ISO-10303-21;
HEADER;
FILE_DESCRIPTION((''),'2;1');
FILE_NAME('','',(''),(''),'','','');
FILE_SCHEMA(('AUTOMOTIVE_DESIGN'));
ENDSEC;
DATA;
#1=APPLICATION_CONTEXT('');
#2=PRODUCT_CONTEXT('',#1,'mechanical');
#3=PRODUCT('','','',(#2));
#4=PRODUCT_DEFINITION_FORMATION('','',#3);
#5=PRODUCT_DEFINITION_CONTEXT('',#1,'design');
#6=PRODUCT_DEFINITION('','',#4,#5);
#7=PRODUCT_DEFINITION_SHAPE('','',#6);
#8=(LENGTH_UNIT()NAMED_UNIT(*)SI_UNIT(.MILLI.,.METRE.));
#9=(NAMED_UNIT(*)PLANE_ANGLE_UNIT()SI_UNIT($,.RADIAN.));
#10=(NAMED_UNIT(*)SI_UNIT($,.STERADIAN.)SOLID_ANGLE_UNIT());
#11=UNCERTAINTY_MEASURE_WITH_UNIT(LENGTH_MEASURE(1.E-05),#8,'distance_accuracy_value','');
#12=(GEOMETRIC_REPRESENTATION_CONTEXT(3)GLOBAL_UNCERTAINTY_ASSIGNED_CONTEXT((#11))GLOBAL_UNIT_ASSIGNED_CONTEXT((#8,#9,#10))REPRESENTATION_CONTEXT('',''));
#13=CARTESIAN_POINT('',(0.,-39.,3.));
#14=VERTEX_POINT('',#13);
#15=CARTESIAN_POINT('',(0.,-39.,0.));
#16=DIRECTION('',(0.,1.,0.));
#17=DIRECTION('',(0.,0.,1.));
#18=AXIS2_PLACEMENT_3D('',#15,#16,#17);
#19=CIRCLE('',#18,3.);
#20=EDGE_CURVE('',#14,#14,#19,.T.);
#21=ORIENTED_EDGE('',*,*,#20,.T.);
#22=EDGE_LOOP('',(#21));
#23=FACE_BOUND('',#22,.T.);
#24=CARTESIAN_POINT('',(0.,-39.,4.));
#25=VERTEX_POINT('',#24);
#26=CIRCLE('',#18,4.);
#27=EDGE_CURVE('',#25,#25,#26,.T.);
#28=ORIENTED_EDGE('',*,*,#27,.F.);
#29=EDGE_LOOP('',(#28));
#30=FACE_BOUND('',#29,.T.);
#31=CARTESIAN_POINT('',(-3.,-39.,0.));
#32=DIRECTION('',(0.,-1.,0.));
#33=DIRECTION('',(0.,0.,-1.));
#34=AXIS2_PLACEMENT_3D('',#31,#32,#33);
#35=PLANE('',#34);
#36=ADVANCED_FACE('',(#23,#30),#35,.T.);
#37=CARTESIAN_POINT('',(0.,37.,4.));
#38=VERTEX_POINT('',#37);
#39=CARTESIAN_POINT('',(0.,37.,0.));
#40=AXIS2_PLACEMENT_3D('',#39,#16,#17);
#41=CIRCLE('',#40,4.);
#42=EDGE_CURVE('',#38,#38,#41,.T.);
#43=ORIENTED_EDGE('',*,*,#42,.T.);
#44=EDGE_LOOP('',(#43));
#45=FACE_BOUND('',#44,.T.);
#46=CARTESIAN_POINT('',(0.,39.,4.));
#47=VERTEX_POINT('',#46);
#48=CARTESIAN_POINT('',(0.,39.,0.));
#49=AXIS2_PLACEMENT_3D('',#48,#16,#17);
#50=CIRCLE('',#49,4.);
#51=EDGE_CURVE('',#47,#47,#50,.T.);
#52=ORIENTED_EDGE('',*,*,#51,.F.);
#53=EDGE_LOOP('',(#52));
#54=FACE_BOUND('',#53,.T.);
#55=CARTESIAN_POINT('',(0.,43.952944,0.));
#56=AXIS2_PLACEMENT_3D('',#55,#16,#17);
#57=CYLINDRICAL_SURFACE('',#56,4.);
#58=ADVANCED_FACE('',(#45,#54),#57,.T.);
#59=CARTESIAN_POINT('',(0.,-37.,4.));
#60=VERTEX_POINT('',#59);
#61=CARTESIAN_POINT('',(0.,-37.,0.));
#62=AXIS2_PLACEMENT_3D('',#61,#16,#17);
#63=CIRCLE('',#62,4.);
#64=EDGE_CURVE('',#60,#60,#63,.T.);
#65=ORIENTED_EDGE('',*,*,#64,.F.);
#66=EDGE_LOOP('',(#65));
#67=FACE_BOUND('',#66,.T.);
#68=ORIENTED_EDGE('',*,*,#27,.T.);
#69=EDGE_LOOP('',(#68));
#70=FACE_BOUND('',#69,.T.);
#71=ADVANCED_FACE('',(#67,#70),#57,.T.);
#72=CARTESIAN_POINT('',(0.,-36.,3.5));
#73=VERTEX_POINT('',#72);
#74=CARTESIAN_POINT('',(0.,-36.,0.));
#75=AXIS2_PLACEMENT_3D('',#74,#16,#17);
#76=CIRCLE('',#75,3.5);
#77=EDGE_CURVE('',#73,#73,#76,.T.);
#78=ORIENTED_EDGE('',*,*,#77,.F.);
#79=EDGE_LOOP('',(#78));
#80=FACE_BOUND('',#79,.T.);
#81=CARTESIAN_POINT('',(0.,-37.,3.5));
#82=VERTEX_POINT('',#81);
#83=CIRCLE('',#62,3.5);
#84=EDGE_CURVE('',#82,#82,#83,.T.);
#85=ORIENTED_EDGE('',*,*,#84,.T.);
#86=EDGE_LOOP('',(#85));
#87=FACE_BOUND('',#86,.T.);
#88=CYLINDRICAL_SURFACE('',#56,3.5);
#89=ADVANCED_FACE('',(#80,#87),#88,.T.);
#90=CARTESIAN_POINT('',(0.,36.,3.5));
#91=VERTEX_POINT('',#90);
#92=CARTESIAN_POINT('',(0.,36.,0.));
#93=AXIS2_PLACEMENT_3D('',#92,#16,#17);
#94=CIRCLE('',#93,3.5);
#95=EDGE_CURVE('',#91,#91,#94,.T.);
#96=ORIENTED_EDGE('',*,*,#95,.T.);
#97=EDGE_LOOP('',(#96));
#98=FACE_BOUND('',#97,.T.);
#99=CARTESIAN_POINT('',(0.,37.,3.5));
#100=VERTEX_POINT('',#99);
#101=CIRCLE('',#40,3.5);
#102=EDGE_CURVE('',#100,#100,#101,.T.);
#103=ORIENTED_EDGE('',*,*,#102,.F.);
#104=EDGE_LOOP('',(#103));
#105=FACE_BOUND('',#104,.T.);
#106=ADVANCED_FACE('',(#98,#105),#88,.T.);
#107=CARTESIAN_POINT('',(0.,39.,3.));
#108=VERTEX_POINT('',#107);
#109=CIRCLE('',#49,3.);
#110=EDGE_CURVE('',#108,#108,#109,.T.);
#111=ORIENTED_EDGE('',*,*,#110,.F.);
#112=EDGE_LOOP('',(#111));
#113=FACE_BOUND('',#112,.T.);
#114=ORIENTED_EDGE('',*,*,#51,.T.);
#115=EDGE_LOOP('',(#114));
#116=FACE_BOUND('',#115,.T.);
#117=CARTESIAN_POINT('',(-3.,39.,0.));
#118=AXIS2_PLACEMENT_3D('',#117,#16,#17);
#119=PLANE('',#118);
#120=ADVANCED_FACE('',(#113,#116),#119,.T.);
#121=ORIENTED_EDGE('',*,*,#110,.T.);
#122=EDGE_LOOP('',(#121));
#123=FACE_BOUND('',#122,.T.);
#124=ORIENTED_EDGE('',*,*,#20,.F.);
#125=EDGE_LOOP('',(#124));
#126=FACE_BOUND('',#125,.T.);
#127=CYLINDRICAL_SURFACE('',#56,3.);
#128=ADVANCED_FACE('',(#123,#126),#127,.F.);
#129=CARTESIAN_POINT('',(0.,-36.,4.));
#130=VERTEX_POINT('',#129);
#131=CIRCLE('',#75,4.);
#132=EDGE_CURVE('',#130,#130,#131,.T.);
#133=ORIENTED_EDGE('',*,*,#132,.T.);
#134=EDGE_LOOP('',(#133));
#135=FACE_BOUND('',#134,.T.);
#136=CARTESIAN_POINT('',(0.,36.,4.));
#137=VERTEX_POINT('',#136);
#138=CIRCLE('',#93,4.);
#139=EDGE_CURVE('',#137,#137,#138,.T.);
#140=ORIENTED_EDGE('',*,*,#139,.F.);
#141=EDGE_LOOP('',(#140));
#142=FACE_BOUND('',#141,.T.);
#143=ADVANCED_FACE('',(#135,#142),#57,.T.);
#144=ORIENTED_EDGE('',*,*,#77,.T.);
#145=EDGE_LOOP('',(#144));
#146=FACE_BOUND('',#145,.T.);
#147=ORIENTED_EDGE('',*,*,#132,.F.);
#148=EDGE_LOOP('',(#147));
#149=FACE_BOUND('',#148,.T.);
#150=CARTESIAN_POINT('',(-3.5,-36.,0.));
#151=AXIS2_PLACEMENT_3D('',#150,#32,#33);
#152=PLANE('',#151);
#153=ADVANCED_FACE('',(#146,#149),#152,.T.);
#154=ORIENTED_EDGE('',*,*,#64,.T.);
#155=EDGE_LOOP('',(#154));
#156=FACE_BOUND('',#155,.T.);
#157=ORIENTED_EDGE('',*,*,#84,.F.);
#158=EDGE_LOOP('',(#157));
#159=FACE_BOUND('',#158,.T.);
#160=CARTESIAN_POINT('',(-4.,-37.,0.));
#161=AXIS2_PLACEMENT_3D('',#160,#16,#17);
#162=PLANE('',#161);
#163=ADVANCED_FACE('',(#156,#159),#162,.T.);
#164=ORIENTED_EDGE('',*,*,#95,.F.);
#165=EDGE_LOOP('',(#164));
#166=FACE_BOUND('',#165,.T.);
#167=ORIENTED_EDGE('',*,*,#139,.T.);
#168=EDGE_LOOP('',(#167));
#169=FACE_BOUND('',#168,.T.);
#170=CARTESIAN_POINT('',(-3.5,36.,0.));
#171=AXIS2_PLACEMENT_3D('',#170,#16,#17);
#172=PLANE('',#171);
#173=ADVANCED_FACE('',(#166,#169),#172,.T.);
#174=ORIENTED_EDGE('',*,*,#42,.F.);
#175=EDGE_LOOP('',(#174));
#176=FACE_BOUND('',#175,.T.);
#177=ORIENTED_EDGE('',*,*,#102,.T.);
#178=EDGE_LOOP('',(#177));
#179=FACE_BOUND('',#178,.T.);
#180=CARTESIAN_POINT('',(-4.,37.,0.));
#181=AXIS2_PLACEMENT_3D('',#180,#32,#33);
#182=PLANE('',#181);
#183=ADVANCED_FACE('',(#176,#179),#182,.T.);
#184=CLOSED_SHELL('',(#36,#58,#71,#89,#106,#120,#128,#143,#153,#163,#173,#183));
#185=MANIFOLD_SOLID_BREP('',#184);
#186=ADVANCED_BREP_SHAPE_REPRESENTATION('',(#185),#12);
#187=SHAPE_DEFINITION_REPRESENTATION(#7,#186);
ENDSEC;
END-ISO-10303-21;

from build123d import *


with BuildPart() as part:
    # Sketch1 → Revolve1 (revolve)
    with BuildSketch(Plane.XY, mode=Mode.PRIVATE) as revolve1_sk:
        Polygon((-3, 39), (-4, 39), (-4, 37), (-3.5, 37), (-3.5, 36), (-4, 36), (-4, -36), (-3.5, -36), (-3.5, -37), (-4, -37), (-4, -39), (-3, -39), align=None)
    revolve(revolve1_sk.sketch.rotate(Axis((0, 43.952944243, 0), (0, -1, 0)), 270), axis=Axis((0, 43.952944243, 0), (0, -1, 0)))


solid = part.part
